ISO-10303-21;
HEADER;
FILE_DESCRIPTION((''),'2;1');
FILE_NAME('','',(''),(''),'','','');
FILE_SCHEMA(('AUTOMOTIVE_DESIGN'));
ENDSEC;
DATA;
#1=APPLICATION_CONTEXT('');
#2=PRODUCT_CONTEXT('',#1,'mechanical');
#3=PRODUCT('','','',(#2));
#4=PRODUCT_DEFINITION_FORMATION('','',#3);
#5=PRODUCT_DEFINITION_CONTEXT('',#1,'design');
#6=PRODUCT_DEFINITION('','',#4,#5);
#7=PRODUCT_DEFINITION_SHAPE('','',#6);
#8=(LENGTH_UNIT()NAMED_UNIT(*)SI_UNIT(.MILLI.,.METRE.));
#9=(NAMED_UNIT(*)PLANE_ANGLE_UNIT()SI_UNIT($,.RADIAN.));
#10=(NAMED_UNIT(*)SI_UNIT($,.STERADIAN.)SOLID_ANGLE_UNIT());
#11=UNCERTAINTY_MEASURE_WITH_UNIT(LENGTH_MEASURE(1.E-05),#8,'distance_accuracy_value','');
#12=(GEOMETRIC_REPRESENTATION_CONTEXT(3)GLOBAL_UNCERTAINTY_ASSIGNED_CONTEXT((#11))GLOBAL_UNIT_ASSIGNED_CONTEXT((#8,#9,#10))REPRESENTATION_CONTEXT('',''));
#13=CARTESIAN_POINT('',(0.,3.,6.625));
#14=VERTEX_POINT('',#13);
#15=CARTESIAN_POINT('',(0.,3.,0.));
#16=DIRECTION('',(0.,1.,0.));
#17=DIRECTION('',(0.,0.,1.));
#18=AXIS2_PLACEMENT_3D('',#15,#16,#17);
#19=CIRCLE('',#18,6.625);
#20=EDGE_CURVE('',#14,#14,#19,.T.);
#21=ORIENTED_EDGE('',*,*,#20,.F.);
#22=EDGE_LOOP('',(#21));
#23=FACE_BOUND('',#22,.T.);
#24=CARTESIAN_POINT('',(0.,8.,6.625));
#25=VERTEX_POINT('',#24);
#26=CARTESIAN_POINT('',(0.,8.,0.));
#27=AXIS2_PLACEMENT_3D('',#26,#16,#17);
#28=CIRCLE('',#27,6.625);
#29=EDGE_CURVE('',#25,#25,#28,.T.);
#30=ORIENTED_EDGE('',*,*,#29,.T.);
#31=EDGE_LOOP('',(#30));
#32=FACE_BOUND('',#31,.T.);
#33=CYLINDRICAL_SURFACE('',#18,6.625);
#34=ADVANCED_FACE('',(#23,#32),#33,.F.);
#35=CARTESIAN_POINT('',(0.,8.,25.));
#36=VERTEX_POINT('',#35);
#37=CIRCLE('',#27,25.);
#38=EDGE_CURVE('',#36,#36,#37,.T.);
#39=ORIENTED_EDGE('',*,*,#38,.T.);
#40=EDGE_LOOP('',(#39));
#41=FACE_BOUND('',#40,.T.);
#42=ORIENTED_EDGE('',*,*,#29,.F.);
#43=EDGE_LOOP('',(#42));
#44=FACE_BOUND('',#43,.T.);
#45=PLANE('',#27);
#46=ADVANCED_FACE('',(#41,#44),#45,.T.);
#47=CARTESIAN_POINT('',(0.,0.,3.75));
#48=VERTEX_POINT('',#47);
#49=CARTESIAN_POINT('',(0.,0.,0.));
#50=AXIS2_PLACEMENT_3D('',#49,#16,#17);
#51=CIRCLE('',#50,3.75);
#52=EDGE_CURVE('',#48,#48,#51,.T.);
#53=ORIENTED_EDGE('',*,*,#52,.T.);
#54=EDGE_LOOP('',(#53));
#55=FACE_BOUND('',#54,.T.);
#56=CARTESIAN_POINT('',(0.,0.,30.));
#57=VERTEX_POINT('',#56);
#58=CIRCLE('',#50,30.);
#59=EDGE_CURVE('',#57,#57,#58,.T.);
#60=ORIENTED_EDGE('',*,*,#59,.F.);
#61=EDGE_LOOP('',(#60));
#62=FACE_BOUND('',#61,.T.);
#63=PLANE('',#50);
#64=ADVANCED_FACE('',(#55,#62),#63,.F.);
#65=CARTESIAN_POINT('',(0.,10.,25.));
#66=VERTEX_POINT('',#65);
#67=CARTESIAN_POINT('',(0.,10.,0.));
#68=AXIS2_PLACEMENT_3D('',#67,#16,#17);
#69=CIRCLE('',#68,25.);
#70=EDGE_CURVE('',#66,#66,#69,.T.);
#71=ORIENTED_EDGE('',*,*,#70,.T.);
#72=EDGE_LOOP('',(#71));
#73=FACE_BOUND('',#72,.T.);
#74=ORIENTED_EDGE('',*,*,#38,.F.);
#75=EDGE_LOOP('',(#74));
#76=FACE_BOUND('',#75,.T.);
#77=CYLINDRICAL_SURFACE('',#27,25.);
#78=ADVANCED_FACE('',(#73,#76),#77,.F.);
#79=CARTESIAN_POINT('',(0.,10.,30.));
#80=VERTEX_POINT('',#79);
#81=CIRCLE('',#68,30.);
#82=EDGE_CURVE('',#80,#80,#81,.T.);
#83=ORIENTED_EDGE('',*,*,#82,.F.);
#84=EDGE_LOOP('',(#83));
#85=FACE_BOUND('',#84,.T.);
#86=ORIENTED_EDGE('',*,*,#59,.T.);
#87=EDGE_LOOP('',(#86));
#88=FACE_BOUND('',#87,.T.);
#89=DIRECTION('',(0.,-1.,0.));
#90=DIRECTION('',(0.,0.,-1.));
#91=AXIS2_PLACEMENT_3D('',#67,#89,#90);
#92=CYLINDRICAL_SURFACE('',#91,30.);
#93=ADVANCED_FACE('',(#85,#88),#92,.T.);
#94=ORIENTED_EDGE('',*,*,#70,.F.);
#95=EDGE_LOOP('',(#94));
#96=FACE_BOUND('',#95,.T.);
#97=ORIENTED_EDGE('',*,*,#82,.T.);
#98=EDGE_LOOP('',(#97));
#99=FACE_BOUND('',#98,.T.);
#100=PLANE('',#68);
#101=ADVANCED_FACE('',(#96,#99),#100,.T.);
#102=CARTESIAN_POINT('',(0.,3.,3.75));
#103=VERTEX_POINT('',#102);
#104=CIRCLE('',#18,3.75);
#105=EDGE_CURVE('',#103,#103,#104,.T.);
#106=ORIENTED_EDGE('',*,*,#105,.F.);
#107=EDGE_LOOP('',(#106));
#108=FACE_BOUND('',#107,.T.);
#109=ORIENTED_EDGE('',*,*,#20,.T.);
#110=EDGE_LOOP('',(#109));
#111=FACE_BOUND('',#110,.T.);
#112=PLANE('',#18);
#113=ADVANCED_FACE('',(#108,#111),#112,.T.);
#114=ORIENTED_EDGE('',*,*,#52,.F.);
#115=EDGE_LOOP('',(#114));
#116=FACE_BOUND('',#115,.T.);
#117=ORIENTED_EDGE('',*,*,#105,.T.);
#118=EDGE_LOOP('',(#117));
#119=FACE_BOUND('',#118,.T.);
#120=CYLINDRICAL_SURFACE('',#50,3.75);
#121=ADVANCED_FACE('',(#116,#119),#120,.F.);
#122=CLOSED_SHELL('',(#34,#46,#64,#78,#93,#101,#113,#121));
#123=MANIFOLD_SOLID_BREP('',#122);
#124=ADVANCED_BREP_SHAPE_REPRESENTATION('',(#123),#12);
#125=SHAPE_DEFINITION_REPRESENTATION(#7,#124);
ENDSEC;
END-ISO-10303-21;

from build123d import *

# Parameters (mm, degrees)
SKETCH1_R               = 30
BOSS_EXTRUDE1_DEPTH     = 10
SKETCH2_R               = 25
CUT_EXTRUDE1_DEPTH      = 2
SKETCH3_R               = 6.625
CUT_EXTRUDE2_DEPTH      = 5
SKETCH4_R               = 3.75
CUT_EXTRUDE4_DEPTH      = 8
CUT_EXTRUDE4_DEPTH_BACK = 4


with BuildPart() as part:
    # Sketch1 → Boss-Extrude1 (new body)
    with BuildSketch(Plane(origin=(0, 0, 0), x_dir=(1, 0, 0), z_dir=(0, 1, 0))):
        Circle(SKETCH1_R)
    extrude(amount=BOSS_EXTRUDE1_DEPTH)

    # Sketch2 → Cut-Extrude1 (cut)
    with BuildSketch(Plane(origin=(0, 10, 0), x_dir=(1, 0, 0), z_dir=(0, 1, 0))):
        Circle(SKETCH2_R)
    extrude(amount=-CUT_EXTRUDE1_DEPTH, mode=Mode.SUBTRACT)

    # Sketch3 → Cut-Extrude2 (cut)
    with BuildSketch(Plane(origin=(0, 8, 0), x_dir=(1, 0, 0), z_dir=(0, 1, 0))):
        Circle(SKETCH3_R)
    extrude(amount=-CUT_EXTRUDE2_DEPTH, mode=Mode.SUBTRACT)

    # Sketch4 → Cut-Extrude4 (cut, two sides)
    with BuildSketch(Plane(origin=(0, 3, 0), x_dir=(1, 0, 0), z_dir=(0, 1, 0))) as cut_extrude4_sk:
        Circle(SKETCH4_R)
    extrude(amount=CUT_EXTRUDE4_DEPTH, mode=Mode.SUBTRACT)
    extrude(cut_extrude4_sk.sketch, amount=-CUT_EXTRUDE4_DEPTH_BACK, mode=Mode.SUBTRACT)


solid = part.part
